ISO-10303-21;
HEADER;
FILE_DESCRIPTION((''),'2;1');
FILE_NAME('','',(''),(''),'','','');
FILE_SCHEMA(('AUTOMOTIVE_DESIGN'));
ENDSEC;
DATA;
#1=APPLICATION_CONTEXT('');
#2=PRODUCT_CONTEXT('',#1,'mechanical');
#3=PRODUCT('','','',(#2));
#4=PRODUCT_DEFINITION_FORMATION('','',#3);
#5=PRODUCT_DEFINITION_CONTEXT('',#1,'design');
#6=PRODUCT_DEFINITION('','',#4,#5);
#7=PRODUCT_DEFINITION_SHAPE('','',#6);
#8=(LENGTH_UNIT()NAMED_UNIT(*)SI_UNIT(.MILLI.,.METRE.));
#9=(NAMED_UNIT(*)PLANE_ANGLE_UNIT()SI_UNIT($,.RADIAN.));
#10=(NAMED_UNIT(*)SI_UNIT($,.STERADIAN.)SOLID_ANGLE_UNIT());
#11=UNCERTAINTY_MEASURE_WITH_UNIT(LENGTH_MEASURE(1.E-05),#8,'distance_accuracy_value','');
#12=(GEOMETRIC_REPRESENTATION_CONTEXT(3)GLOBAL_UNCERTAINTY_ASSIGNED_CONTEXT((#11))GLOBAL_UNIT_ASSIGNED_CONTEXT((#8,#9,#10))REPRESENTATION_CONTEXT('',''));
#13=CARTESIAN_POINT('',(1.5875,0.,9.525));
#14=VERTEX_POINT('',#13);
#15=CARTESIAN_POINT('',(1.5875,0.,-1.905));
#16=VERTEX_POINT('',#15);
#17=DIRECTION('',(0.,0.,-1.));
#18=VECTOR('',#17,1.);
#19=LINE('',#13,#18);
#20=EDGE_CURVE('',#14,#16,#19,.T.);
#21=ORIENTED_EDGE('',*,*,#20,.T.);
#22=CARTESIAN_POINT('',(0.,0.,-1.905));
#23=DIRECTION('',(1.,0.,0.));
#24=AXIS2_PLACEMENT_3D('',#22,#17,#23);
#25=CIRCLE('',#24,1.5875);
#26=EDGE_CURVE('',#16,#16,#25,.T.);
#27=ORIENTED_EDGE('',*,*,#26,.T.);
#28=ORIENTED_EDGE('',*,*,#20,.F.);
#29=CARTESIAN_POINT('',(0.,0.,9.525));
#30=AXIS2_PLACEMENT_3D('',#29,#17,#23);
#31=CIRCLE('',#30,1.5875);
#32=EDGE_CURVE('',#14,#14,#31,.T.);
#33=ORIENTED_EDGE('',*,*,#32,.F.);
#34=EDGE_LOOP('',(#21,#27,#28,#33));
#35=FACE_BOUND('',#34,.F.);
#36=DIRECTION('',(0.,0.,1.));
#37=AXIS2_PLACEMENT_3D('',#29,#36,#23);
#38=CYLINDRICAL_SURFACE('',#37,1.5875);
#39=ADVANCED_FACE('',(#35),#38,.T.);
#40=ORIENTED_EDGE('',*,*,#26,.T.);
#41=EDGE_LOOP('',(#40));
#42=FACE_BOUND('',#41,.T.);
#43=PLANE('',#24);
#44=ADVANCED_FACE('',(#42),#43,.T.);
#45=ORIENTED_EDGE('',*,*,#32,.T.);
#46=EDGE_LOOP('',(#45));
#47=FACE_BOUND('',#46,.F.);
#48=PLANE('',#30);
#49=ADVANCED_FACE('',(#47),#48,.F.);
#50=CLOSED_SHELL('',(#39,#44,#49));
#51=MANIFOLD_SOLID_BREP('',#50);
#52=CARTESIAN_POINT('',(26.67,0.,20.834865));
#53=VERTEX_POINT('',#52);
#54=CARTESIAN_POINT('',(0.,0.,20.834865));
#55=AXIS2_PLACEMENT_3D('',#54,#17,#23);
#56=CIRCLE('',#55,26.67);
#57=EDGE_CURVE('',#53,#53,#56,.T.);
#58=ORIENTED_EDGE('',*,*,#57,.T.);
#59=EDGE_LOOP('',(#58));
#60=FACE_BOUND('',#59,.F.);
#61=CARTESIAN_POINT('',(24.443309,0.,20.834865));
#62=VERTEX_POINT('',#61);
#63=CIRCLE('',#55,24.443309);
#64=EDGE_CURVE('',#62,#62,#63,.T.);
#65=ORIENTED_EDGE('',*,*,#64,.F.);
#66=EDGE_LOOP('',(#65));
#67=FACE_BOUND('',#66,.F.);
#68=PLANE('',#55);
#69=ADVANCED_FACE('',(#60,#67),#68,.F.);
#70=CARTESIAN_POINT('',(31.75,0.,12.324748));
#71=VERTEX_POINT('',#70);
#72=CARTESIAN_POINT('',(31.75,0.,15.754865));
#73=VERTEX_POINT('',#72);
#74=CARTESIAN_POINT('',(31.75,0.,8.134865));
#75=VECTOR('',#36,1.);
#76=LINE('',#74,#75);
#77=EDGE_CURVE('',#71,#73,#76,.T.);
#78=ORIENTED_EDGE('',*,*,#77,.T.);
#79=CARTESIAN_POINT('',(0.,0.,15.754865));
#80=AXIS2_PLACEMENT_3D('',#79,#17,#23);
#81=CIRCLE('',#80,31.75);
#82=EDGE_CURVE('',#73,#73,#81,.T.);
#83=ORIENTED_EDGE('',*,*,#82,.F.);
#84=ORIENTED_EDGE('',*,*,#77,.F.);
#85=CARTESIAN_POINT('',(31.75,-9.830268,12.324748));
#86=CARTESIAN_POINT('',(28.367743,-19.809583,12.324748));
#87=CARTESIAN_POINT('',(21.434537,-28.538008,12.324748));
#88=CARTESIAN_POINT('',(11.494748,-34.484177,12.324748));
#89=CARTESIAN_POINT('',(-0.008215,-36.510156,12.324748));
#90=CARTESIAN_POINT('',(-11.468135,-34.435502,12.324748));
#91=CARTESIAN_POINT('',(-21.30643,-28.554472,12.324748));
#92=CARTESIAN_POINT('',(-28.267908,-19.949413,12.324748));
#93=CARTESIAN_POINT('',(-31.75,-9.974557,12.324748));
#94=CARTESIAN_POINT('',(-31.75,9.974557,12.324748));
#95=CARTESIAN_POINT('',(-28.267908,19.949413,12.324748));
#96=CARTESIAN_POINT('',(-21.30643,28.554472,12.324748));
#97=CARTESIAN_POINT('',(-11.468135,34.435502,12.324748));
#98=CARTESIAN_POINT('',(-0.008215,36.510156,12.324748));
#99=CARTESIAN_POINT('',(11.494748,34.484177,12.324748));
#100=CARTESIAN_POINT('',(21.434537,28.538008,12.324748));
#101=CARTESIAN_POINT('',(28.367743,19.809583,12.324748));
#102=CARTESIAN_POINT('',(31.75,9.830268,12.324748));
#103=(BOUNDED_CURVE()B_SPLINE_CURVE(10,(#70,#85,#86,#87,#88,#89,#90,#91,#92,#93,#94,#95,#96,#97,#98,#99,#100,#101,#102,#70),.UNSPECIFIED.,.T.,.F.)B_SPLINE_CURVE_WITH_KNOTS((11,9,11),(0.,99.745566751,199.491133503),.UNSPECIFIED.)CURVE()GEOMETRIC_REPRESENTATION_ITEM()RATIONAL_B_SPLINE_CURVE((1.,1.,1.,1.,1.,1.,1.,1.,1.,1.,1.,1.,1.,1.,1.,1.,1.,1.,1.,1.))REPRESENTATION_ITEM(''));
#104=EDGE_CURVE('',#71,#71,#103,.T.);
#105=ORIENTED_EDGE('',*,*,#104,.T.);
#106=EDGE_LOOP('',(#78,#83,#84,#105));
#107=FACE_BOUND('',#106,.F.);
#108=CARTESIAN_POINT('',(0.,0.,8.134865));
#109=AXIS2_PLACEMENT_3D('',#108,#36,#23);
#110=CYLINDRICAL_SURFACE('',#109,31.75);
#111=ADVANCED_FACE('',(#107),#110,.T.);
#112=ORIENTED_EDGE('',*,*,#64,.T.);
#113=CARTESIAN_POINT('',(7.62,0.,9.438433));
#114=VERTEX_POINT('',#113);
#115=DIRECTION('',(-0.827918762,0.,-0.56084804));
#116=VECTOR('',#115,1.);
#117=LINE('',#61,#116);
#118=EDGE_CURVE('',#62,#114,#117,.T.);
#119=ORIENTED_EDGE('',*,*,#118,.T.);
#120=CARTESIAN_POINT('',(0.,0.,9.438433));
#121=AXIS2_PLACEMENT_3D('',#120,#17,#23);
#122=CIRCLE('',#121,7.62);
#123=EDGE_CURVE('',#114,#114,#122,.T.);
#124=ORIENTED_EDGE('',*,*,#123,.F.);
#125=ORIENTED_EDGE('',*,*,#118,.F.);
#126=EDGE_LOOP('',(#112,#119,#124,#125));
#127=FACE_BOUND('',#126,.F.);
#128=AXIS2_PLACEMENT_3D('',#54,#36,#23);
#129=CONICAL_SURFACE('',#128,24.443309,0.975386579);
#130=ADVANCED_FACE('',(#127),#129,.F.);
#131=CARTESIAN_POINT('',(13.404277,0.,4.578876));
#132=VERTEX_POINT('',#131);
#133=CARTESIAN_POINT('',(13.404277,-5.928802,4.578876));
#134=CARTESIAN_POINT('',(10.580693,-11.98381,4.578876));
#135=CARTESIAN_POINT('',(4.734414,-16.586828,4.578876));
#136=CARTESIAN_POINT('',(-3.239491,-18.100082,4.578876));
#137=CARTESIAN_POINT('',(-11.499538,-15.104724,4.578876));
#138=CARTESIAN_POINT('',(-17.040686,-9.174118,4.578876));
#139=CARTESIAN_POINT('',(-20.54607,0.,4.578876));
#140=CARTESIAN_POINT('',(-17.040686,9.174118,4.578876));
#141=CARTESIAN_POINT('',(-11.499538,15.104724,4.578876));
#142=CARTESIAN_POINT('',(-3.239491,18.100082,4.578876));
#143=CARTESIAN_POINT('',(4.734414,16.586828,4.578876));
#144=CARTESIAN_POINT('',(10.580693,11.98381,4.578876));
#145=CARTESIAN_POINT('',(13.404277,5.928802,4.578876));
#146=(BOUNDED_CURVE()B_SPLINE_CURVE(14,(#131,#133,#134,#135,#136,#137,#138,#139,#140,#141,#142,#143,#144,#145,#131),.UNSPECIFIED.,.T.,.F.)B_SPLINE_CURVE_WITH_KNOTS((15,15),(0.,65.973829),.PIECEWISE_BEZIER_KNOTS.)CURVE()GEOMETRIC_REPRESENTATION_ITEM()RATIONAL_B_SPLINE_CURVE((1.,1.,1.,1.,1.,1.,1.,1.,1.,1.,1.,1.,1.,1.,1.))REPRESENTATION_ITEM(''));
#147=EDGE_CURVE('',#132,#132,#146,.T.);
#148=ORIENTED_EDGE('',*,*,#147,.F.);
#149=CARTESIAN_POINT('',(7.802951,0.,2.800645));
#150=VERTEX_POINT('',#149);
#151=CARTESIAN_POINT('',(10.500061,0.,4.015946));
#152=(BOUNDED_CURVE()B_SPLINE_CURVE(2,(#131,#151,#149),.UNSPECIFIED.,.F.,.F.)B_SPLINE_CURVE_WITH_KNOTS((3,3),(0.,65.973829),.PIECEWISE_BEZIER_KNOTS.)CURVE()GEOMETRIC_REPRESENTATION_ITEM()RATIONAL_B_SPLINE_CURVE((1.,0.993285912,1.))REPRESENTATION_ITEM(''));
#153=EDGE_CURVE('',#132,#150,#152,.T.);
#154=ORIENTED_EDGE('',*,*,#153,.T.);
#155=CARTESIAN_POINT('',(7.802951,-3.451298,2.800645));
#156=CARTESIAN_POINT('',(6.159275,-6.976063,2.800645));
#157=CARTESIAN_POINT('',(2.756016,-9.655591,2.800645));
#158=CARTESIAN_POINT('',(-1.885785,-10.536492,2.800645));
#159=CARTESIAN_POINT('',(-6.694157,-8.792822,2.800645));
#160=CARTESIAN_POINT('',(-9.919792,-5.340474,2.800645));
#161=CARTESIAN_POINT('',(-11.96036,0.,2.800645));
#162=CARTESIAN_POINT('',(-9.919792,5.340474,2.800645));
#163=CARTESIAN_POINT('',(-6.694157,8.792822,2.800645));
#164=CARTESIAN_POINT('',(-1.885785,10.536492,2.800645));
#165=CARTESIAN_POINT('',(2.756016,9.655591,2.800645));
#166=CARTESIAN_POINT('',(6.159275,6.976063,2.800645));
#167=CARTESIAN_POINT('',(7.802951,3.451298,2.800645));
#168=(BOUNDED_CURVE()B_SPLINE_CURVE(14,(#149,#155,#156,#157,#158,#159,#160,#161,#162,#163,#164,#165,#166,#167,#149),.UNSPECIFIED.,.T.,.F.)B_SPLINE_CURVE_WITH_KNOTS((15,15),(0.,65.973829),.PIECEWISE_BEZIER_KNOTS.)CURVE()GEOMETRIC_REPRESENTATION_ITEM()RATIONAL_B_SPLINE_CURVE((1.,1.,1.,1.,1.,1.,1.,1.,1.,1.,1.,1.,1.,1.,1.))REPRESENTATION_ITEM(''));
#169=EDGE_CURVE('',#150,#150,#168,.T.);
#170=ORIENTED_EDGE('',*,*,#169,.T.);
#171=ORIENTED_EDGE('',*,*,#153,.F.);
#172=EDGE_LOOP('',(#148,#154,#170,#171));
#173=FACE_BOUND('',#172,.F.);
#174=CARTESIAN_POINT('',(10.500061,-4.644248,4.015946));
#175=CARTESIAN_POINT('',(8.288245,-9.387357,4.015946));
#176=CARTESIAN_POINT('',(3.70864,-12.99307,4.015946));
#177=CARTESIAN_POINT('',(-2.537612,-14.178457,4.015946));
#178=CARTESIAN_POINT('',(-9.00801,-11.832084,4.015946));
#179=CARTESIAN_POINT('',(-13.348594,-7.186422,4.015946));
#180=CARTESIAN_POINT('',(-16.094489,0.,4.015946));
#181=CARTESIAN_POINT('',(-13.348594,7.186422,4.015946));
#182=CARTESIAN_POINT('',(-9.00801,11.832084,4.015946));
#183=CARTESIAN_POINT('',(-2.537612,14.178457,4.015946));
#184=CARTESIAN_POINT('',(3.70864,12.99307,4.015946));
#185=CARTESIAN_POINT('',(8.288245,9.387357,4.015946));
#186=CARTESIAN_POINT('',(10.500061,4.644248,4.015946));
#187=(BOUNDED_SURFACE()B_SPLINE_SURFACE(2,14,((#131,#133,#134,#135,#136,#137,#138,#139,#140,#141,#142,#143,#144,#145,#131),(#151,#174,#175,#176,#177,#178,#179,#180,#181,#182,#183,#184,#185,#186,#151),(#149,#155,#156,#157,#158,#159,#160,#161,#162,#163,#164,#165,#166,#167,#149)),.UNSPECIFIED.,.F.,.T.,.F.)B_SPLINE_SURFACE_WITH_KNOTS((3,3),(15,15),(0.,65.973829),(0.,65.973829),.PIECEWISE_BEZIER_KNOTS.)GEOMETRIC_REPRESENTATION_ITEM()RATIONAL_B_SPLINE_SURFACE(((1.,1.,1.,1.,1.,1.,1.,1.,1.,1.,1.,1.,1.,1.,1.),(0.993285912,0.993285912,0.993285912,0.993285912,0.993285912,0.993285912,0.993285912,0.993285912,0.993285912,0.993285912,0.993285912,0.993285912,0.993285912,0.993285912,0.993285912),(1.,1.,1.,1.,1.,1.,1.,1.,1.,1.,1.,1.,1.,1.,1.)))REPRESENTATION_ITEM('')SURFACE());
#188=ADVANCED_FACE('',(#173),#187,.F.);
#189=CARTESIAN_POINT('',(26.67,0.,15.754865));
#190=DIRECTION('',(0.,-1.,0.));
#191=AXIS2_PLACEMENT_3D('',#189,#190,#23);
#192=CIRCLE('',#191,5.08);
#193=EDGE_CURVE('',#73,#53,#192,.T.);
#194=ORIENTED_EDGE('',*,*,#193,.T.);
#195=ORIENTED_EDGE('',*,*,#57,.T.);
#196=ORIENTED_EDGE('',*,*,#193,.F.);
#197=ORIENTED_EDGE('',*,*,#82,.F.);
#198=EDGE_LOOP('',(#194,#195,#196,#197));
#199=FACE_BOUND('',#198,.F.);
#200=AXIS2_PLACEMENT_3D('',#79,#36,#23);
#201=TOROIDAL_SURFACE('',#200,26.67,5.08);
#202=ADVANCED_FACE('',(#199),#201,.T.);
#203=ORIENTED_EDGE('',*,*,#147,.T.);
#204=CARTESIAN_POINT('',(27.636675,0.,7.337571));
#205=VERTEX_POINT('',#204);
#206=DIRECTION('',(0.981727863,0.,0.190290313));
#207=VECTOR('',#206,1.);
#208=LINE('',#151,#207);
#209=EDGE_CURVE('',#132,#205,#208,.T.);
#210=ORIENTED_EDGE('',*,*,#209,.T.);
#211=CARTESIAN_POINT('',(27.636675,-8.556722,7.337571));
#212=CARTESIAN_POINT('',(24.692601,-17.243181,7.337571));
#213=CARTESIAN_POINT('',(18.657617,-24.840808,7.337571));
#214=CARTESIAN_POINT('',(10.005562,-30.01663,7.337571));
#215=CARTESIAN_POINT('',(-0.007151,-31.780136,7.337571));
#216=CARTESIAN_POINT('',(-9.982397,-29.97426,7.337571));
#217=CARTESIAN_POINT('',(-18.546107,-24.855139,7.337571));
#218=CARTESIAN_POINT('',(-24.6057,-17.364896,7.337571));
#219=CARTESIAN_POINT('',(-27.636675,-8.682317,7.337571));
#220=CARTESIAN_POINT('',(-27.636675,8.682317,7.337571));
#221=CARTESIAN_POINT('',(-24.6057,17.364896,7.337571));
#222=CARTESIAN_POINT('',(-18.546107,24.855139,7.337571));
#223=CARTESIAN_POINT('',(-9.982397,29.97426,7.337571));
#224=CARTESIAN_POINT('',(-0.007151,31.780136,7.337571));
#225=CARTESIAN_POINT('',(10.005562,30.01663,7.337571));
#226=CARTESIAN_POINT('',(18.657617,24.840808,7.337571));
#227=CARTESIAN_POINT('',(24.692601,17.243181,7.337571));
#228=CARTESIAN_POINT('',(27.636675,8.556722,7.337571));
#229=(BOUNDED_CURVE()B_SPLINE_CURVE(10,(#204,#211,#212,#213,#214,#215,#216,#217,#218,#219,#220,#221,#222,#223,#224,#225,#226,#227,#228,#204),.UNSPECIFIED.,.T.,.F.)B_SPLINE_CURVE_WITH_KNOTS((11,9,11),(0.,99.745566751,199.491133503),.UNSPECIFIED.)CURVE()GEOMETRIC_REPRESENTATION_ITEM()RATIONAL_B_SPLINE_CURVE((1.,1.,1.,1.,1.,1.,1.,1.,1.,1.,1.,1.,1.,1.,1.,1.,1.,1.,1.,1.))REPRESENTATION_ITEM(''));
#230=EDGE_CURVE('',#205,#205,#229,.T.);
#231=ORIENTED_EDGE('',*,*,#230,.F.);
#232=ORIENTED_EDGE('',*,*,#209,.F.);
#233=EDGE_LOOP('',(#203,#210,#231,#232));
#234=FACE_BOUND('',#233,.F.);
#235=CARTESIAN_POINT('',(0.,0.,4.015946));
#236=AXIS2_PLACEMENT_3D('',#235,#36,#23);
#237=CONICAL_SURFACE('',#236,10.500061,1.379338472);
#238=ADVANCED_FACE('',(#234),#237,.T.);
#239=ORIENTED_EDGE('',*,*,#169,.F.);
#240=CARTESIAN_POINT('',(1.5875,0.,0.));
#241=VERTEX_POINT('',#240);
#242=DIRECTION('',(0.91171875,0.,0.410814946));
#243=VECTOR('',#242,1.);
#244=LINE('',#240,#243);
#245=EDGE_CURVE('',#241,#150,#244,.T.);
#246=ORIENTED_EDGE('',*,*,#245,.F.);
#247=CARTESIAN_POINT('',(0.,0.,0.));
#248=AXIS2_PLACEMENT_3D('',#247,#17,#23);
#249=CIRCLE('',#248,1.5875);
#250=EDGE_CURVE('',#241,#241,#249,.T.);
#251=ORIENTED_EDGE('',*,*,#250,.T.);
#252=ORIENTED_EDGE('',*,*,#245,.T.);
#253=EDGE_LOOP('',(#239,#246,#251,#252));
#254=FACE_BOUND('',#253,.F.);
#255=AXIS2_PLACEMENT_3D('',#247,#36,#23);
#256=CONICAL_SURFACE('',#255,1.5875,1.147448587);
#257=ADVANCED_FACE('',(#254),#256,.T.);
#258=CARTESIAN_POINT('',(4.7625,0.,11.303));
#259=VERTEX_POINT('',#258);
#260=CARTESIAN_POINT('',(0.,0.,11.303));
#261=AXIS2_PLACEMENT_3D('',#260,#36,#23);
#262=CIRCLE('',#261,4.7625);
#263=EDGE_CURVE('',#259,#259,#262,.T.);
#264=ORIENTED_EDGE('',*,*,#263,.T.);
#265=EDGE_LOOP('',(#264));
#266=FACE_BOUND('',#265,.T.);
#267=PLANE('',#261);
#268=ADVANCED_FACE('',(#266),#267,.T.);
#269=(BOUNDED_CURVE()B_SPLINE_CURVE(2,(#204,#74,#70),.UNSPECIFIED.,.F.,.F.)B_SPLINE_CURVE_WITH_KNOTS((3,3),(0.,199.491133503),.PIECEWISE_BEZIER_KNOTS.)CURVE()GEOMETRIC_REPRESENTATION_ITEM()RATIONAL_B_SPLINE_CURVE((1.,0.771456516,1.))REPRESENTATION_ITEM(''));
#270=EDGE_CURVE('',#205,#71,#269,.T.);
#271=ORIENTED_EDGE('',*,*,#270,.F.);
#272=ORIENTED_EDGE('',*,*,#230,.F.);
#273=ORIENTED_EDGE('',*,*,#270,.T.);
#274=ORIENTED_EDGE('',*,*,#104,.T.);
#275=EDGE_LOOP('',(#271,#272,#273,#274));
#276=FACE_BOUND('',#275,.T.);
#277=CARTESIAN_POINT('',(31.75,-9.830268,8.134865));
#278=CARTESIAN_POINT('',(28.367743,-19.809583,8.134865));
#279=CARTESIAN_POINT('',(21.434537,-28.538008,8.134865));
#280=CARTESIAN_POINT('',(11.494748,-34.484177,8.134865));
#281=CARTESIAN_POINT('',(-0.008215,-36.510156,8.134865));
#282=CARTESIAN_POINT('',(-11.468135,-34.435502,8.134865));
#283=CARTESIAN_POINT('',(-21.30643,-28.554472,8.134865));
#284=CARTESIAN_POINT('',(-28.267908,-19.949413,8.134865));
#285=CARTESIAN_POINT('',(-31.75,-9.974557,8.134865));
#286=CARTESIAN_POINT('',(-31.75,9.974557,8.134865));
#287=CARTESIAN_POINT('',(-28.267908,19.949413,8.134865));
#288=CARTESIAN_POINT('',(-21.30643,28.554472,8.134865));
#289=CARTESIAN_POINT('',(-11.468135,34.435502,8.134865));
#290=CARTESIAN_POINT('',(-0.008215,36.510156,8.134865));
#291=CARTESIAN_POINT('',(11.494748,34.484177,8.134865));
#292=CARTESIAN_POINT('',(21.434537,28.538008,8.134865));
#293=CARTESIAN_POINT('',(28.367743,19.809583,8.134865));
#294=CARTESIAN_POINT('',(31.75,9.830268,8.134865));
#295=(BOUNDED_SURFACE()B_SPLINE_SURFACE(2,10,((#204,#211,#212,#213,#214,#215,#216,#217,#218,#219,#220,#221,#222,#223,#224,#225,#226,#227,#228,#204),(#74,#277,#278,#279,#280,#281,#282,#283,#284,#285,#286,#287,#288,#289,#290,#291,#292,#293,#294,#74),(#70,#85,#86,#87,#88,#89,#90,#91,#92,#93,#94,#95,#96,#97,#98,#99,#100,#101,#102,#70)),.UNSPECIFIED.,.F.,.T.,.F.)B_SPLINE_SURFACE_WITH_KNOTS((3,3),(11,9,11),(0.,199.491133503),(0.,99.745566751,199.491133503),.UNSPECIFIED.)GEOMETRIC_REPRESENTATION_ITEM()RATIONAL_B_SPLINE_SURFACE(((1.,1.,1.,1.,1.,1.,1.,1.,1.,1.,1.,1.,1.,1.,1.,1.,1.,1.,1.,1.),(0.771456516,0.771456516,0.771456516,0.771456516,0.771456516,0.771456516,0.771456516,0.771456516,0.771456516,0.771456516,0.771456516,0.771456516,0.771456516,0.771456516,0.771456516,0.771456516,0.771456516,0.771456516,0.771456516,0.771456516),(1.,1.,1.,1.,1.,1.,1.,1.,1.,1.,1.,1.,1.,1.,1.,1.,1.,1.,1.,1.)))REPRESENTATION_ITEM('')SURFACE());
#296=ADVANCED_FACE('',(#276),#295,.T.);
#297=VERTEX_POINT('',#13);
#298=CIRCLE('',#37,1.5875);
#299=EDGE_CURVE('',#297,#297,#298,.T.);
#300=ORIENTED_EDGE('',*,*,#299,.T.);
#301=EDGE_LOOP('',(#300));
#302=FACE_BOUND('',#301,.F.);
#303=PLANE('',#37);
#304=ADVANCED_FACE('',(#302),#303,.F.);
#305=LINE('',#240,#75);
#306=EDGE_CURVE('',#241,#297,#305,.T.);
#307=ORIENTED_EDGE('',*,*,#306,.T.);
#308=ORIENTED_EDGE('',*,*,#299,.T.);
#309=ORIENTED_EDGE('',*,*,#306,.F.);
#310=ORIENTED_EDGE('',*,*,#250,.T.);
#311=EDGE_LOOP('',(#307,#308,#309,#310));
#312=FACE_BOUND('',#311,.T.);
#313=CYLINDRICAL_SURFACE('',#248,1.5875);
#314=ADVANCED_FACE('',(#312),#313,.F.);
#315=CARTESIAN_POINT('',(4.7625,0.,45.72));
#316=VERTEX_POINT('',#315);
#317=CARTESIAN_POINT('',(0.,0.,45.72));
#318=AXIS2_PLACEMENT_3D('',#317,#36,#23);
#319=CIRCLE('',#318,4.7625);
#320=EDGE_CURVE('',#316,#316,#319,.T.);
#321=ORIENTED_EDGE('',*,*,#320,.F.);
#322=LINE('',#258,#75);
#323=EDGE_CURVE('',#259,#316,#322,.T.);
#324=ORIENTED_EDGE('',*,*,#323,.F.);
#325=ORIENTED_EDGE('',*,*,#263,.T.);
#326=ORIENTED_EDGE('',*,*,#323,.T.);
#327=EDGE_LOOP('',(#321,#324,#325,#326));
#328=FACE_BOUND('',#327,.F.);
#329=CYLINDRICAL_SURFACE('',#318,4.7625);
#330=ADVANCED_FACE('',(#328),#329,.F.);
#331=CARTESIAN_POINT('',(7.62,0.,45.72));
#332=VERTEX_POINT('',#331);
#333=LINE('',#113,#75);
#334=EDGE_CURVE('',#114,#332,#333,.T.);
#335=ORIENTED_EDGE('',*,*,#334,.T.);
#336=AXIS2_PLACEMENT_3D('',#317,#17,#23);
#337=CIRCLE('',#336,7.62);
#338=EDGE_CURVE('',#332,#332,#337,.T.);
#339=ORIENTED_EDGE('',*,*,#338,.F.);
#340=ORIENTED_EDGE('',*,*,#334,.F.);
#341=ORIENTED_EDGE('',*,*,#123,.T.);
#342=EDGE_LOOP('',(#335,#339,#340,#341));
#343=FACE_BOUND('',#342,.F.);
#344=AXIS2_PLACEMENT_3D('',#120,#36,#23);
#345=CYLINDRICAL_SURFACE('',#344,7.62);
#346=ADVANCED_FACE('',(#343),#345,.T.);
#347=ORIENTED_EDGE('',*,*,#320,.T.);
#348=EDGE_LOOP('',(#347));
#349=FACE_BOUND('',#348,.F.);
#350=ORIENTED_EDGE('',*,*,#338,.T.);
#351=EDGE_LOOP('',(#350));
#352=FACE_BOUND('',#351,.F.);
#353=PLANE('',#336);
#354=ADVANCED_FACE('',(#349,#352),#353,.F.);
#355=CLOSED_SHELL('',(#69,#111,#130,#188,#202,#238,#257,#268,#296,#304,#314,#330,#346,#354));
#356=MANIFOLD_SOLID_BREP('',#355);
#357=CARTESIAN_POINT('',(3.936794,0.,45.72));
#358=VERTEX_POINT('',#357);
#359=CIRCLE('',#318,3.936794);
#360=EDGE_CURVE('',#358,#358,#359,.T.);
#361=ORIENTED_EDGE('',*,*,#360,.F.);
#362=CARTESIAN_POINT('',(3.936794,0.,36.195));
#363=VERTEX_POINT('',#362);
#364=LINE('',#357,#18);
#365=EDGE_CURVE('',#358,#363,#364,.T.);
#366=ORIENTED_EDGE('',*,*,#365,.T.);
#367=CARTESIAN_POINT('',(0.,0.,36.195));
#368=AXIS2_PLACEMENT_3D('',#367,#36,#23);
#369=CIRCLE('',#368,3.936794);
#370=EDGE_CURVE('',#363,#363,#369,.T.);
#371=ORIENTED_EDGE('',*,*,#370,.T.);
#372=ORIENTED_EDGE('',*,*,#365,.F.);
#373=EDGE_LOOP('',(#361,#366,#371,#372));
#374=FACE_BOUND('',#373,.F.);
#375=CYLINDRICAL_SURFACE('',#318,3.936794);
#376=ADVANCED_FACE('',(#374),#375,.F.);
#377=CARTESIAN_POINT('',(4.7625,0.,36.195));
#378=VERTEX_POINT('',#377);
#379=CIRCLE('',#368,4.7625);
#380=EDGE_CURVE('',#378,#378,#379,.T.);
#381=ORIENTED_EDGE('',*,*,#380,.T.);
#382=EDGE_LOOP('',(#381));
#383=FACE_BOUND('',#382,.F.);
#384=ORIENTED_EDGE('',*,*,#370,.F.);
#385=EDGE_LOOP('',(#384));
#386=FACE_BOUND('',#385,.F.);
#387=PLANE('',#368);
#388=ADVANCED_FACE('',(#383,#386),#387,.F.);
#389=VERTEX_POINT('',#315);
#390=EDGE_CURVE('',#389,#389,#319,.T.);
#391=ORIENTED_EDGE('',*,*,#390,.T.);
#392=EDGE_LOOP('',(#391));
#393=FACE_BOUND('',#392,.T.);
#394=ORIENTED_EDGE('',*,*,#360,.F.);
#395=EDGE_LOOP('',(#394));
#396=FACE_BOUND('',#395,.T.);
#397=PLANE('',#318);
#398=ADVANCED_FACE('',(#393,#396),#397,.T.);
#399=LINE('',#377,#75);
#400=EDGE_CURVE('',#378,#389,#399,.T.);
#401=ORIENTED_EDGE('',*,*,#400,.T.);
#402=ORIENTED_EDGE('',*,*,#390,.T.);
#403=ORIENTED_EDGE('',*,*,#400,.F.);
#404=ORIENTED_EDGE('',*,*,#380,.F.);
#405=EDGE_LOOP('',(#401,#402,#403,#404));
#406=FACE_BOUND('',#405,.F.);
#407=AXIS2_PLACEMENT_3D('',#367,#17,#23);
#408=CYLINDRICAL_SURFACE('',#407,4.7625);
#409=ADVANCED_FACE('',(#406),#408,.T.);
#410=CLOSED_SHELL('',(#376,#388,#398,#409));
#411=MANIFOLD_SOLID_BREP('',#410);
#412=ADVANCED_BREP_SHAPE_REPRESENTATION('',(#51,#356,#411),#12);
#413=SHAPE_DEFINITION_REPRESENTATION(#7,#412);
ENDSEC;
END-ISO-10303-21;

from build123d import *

# Parameters (mm, degrees)
F2_R      = 5.08
F3_R      = 25.4
F4_R      = 4.7625
F5_DEPTH  = 9.525
F6_R      = 1.5875
F7_DEPTH  = 9.525
F5_FACE_R = 4.7625
F8_DEPTH  = 9.525
F9_DEPTH  = 24.892
F10_R     = 3.936794
F11_DEPTH = 9.525
F7_FACE_R = 1.5875
F12_DEPTH = 11.43


with BuildPart() as f1:
    # F0 (on Front) → F1 (revolve)
    with BuildSketch(Plane.XZ):
        Polygon((10.500061, 4.015946), (31.75, 8.134865), (31.75, 20.834865), (24.443309, 20.834865), (7.62, 9.438433), (7.62, 45.72), (0, 45.72), (0, 0), (1.5875, 0), align=None)
    revolve(axis=Axis((0, 0, 22.86), (0, 0, -1)))

    # F2
    f2_edges = [f1.edges().sort_by_distance(p)[0] for p in [
        (-31.75, 0, 8.134865),
        (-31.75, 0, 20.834865),
        (31.75, 0, 14.484865),
    ]]
    fillet(f2_edges, radius=F2_R)

    # F3
    f3_edges = [f1.edges().sort_by_distance(p)[0] for p in [
        (-10.500061, 0, 4.015946),
    ]]
    fillet(f3_edges, radius=F3_R)

    # F4 (on face) → F5 (cut)
    with BuildSketch(Plane.XY.offset(45.72)):
        Circle(F4_R)
    extrude(amount=-F5_DEPTH, mode=Mode.SUBTRACT)

    # F6 (on Top) → F7 (cut)
    with BuildSketch(Plane.XY):
        Circle(F6_R)
    extrude(amount=F7_DEPTH, mode=Mode.SUBTRACT)

    # F5_face (on face) → F9 (cut)
    with BuildSketch(Plane.XY.offset(36.195)):
        Circle(F5_FACE_R)
    extrude(amount=-F9_DEPTH, mode=Mode.SUBTRACT)


with BuildPart() as f8:
    # F5_face (on face) → F8 (new body)
    with BuildSketch(Plane.XY.offset(36.195)):
        Circle(F5_FACE_R)
    extrude(amount=F8_DEPTH)

    # F10 (on face) → F11 (cut)
    with BuildSketch(Plane.XY.offset(45.72)):
        Circle(F10_R)
    extrude(amount=-F11_DEPTH, mode=Mode.SUBTRACT)


with BuildPart() as f12:
    # F7_face (on face) → F12 (new body)
    with BuildSketch(Plane(origin=(0, 0, 9.525), x_dir=(1, 0, 0), z_dir=(0, 0, -1))):
        Circle(F7_FACE_R)
    extrude(amount=F12_DEPTH)


solid = Compound([f1.part, f8.part, f12.part])
